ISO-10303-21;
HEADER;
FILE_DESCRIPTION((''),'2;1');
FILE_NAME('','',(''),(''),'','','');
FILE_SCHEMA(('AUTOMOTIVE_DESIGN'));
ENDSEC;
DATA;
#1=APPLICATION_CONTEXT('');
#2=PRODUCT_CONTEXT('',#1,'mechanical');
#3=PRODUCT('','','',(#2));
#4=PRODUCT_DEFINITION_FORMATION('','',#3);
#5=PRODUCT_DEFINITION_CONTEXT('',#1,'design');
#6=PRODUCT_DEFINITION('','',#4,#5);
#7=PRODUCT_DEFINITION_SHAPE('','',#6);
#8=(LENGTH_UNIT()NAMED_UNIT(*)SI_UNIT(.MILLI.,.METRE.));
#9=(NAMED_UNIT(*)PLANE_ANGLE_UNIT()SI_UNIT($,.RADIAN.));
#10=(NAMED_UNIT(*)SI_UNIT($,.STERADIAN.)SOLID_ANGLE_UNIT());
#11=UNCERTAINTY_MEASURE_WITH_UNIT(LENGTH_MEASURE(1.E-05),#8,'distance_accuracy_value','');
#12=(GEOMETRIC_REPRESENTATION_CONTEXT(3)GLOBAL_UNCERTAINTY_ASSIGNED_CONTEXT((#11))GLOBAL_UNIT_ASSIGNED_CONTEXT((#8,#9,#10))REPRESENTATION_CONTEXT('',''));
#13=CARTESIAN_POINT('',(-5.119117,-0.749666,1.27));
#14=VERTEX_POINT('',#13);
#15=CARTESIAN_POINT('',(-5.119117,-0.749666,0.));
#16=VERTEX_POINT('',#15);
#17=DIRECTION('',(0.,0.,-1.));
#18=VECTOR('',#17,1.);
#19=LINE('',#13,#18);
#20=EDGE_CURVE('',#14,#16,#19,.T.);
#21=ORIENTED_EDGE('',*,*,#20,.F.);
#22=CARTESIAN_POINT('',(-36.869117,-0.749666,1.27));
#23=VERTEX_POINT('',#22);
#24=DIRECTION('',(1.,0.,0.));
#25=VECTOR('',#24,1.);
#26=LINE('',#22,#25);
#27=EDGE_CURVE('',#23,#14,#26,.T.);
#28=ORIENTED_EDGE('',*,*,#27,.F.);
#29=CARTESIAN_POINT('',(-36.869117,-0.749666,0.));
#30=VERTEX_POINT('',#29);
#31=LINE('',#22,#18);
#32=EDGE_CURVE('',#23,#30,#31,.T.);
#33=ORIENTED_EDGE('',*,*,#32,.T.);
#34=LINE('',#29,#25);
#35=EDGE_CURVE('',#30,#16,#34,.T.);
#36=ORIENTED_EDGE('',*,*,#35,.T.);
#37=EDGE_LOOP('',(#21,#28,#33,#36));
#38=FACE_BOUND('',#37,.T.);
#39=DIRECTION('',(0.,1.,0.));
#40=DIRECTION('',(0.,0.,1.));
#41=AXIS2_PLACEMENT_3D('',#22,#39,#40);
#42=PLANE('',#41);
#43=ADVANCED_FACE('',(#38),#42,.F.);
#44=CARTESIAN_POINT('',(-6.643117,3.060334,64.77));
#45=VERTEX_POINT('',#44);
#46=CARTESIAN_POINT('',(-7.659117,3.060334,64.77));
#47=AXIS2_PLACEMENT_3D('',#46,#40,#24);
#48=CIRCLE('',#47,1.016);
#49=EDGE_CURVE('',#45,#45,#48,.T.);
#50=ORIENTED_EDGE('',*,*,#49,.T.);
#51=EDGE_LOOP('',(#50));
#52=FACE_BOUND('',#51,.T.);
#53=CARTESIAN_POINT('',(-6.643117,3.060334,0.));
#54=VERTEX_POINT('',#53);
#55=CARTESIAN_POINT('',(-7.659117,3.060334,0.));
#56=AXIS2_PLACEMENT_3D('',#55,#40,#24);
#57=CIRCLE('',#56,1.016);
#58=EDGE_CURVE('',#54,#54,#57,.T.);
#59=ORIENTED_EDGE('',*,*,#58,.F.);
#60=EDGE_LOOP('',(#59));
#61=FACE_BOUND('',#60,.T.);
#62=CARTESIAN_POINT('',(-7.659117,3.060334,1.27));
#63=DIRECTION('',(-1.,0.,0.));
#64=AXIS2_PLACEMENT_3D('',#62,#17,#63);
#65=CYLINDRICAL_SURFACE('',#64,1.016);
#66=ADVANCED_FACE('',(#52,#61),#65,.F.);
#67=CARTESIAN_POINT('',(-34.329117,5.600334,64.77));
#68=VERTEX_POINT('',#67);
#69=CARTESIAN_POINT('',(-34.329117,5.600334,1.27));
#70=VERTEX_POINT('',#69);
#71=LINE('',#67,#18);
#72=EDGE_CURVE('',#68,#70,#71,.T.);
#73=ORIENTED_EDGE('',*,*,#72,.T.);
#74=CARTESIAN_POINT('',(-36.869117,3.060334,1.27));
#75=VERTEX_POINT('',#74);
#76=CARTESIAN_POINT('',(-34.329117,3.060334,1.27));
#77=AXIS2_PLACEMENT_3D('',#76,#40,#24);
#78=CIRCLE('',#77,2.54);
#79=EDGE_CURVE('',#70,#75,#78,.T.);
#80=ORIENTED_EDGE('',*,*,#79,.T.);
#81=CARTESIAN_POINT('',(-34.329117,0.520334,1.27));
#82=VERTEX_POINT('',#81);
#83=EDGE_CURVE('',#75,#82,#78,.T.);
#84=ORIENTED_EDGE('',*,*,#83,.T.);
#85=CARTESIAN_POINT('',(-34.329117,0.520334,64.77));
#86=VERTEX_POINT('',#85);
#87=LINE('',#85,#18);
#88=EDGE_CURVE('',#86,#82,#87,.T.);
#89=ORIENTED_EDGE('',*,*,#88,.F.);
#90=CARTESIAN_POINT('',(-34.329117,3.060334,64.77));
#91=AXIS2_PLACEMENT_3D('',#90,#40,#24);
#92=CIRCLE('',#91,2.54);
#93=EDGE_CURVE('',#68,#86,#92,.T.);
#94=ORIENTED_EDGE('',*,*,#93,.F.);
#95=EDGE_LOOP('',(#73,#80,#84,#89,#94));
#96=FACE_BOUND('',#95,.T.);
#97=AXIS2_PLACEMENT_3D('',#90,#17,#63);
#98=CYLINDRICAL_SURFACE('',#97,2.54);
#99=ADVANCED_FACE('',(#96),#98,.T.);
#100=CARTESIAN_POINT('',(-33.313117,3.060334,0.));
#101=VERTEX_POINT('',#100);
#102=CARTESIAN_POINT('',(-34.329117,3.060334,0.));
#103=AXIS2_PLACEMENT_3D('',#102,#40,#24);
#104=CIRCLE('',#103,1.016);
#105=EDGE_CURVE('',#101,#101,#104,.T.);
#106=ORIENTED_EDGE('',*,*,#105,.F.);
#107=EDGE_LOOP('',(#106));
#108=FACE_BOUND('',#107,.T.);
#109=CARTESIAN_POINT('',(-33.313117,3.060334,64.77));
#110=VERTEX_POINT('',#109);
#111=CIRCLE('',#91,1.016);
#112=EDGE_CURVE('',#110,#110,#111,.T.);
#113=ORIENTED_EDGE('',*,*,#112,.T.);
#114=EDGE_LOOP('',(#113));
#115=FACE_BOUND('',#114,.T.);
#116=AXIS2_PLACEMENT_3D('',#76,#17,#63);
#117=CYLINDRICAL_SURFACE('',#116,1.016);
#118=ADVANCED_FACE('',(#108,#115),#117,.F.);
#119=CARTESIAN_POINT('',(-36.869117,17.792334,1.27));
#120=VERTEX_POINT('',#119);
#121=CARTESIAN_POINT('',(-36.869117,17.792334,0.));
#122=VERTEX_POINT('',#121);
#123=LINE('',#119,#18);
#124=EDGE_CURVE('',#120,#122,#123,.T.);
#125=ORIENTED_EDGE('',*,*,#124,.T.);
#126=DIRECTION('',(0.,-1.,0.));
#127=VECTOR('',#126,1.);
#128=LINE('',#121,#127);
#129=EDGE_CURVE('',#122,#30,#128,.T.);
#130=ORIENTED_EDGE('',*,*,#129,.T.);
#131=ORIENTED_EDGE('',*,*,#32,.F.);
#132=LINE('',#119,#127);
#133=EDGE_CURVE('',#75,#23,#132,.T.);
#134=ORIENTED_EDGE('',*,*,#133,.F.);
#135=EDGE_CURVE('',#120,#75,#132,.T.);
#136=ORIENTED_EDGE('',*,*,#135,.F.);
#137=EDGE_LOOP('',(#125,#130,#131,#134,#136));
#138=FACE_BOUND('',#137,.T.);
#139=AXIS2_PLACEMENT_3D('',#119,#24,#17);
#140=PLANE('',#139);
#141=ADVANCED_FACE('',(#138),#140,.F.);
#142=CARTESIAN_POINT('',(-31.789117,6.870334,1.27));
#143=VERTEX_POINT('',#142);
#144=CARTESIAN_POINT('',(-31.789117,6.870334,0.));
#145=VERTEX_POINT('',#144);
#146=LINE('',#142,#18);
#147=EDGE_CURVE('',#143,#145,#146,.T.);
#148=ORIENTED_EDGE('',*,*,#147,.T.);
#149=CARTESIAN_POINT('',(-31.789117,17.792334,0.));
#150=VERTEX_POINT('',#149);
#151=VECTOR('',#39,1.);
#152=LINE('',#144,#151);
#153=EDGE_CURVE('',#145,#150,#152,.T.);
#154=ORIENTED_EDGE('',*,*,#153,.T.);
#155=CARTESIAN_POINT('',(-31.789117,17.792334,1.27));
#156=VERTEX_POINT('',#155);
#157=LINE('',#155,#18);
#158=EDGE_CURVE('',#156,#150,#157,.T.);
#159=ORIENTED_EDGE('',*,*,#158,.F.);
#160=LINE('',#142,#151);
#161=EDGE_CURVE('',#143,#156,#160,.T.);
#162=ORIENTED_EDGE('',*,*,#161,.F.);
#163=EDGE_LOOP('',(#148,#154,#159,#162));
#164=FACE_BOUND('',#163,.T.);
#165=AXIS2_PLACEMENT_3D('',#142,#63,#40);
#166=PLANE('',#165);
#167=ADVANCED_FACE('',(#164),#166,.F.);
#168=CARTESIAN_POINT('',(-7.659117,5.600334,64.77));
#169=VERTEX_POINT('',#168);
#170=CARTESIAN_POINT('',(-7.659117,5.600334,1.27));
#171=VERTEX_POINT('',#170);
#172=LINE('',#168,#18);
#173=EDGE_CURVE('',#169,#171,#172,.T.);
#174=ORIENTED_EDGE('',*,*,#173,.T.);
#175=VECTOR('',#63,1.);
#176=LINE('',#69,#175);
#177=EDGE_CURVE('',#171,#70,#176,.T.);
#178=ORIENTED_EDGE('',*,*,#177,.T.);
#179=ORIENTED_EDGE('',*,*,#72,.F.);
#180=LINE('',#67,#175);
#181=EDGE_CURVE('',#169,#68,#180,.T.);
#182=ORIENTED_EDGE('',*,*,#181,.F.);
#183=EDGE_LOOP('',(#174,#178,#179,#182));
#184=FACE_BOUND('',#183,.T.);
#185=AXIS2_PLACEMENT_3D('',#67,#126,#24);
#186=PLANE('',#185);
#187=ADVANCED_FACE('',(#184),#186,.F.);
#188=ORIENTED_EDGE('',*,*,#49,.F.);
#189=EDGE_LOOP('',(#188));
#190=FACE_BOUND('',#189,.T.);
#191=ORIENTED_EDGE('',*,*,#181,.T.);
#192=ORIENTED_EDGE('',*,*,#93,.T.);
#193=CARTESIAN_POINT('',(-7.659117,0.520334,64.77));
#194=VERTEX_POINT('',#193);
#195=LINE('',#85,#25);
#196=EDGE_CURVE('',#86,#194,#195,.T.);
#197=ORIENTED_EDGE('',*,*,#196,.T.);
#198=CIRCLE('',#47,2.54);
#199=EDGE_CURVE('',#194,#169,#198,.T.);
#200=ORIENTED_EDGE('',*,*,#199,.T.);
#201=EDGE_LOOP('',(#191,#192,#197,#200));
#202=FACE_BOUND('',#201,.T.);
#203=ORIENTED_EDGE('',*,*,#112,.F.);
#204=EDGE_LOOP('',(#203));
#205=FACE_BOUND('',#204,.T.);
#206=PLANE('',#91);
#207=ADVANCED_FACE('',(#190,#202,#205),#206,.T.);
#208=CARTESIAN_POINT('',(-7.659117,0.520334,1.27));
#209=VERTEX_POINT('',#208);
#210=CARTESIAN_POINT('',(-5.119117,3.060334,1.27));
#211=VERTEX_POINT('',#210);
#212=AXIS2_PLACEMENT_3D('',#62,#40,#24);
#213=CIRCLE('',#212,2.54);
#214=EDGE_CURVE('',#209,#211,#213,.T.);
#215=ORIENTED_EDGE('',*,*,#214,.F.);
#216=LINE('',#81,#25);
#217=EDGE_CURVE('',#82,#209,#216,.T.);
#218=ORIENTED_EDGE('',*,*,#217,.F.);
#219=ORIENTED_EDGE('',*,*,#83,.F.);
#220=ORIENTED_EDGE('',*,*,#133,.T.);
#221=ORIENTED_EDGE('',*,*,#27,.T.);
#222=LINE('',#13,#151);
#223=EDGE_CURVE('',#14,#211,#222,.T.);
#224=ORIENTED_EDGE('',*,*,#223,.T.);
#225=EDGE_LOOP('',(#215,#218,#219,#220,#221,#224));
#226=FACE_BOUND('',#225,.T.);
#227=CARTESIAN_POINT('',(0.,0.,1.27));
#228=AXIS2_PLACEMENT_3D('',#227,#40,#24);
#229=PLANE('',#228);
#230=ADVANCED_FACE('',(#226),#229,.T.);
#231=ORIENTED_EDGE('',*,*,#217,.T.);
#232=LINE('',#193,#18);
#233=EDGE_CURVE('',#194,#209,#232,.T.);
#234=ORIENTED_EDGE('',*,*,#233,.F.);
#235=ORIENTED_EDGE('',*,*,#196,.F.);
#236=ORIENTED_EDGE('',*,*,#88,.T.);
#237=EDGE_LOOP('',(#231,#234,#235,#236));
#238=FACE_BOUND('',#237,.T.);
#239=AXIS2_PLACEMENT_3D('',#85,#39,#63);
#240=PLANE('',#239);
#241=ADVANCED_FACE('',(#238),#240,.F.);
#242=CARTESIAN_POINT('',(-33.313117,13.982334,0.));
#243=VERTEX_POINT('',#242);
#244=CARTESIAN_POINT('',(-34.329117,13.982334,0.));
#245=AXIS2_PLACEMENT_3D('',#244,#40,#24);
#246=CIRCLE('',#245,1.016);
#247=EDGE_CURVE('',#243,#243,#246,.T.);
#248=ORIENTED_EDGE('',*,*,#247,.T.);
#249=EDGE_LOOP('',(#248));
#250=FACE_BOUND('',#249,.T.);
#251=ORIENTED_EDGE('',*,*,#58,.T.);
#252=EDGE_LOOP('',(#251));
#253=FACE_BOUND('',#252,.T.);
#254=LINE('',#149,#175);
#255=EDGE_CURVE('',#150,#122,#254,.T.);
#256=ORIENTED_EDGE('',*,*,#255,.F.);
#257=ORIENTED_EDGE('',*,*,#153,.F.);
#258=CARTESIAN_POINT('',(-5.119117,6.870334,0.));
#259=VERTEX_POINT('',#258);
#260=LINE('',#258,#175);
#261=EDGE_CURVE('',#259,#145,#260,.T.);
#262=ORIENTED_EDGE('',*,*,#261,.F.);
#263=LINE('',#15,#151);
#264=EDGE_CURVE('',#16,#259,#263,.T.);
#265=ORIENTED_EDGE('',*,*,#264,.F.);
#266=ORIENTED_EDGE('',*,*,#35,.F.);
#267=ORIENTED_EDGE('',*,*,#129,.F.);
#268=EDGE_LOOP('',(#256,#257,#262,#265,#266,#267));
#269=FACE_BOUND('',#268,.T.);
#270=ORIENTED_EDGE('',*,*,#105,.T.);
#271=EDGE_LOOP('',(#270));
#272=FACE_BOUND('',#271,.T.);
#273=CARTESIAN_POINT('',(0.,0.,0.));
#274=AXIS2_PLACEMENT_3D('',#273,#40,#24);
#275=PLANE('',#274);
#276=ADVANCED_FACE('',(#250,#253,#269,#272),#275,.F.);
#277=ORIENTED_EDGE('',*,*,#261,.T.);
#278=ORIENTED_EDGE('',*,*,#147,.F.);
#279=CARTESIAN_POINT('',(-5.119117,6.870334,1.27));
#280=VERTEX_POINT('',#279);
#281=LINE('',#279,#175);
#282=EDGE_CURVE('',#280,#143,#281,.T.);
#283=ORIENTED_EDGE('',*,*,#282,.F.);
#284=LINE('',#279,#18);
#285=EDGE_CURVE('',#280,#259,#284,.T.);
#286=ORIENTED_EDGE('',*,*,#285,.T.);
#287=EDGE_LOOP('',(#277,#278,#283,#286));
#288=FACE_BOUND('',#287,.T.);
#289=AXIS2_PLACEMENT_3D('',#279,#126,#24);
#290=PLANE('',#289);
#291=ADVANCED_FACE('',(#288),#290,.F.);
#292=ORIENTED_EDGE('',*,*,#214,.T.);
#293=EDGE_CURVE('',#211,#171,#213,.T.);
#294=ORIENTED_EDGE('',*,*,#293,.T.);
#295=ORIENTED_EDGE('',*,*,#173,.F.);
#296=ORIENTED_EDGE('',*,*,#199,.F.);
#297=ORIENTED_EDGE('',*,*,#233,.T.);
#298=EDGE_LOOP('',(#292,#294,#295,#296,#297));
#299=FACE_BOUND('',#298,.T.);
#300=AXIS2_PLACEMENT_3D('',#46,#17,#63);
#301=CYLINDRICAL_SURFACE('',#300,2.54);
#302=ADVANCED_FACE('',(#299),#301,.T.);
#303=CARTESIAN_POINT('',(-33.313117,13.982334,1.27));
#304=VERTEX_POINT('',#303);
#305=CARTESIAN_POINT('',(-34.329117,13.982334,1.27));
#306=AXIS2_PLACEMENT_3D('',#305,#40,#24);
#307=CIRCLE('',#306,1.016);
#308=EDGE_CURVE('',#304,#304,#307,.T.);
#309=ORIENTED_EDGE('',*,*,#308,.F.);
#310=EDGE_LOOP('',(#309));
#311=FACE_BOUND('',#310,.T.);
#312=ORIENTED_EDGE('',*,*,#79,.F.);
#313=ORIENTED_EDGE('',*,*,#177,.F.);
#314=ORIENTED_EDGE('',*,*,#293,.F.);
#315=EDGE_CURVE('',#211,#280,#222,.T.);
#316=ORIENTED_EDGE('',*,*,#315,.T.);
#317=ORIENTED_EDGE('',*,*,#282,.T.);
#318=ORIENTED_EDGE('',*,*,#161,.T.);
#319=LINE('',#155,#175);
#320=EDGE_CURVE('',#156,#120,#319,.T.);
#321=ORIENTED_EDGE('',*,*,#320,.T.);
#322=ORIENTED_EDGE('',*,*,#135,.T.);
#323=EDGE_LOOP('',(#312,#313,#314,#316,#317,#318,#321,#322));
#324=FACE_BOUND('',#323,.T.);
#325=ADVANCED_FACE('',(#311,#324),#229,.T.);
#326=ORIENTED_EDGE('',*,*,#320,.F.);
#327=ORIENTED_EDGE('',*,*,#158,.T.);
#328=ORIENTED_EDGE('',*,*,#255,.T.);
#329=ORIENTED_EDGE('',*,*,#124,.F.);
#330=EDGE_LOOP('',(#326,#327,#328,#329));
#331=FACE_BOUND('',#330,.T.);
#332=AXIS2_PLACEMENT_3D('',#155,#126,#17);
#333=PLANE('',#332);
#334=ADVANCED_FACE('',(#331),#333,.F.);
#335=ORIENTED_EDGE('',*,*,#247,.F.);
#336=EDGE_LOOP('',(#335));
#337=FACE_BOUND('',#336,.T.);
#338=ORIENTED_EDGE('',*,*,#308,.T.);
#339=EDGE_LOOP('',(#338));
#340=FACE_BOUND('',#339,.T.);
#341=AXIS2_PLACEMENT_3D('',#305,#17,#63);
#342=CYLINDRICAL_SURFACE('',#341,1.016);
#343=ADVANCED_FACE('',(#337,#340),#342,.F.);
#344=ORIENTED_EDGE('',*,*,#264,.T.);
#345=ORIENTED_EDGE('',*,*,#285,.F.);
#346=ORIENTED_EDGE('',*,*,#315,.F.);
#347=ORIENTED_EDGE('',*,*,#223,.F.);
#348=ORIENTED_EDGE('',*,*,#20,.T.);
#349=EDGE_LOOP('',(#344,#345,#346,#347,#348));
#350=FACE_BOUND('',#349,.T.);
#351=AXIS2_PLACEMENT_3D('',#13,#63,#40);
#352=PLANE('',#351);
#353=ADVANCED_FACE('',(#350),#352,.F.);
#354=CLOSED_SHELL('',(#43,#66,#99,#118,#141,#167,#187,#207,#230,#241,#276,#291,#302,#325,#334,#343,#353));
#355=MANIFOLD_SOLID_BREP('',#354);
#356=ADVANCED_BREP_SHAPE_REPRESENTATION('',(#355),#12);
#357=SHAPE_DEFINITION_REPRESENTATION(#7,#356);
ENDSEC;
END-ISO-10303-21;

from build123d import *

# Parameters (mm, degrees)
SKETCH1_R           = 1.016
BOSS_EXTRUDE1_DEPTH = 1.27
SKETCH2_R           = 1.016
BOSS_EXTRUDE3_DEPTH = 63.5


with BuildPart() as part:
    # Sketch1 → Boss-Extrude1 (new body)
    with BuildSketch(Plane.XY):
        Polygon((-36.869116619, 17.792333901), (-36.869116619, -0.749666099), (-5.119116619, -0.749666099), (-5.119116619, 6.870333901), (-31.789116619, 6.870333901), (-31.789116619, 17.792333901), align=None)
        with Locations((-34.329116619, 13.982333901)):
            Circle(SKETCH1_R, mode=Mode.SUBTRACT)
        with Locations((-34.329116619, 3.060333901)):
            Circle(SKETCH1_R, mode=Mode.SUBTRACT)
        with Locations((-7.659116619, 3.060333901)):
            Circle(SKETCH1_R, mode=Mode.SUBTRACT)
    extrude(amount=BOSS_EXTRUDE1_DEPTH)

    # Sketch2 → Boss-Extrude3 (add)
    with BuildSketch(Plane.XY.offset(1.27)):
        with BuildLine():
            Line((-34.329116619, 5.600333901), (-7.659116619, 5.600333901))
            ThreePointArc((-7.659116619, 5.600333901), (-5.119116619, 3.060333901), (-7.659116619, 0.520333901))
            Line((-7.659116619, 0.520333901), (-34.329116619, 0.520333901))
            ThreePointArc((-34.329116619, 0.520333901), (-36.869116619, 3.060333901), (-34.329116619, 5.600333901))
        make_face()
        with Locations((-34.329116619, 3.060333901)):
            Circle(SKETCH2_R, mode=Mode.SUBTRACT)
        with Locations((-7.659116619, 3.060333901)):
            Circle(SKETCH2_R, mode=Mode.SUBTRACT)
    extrude(amount=BOSS_EXTRUDE3_DEPTH)


solid = part.part
